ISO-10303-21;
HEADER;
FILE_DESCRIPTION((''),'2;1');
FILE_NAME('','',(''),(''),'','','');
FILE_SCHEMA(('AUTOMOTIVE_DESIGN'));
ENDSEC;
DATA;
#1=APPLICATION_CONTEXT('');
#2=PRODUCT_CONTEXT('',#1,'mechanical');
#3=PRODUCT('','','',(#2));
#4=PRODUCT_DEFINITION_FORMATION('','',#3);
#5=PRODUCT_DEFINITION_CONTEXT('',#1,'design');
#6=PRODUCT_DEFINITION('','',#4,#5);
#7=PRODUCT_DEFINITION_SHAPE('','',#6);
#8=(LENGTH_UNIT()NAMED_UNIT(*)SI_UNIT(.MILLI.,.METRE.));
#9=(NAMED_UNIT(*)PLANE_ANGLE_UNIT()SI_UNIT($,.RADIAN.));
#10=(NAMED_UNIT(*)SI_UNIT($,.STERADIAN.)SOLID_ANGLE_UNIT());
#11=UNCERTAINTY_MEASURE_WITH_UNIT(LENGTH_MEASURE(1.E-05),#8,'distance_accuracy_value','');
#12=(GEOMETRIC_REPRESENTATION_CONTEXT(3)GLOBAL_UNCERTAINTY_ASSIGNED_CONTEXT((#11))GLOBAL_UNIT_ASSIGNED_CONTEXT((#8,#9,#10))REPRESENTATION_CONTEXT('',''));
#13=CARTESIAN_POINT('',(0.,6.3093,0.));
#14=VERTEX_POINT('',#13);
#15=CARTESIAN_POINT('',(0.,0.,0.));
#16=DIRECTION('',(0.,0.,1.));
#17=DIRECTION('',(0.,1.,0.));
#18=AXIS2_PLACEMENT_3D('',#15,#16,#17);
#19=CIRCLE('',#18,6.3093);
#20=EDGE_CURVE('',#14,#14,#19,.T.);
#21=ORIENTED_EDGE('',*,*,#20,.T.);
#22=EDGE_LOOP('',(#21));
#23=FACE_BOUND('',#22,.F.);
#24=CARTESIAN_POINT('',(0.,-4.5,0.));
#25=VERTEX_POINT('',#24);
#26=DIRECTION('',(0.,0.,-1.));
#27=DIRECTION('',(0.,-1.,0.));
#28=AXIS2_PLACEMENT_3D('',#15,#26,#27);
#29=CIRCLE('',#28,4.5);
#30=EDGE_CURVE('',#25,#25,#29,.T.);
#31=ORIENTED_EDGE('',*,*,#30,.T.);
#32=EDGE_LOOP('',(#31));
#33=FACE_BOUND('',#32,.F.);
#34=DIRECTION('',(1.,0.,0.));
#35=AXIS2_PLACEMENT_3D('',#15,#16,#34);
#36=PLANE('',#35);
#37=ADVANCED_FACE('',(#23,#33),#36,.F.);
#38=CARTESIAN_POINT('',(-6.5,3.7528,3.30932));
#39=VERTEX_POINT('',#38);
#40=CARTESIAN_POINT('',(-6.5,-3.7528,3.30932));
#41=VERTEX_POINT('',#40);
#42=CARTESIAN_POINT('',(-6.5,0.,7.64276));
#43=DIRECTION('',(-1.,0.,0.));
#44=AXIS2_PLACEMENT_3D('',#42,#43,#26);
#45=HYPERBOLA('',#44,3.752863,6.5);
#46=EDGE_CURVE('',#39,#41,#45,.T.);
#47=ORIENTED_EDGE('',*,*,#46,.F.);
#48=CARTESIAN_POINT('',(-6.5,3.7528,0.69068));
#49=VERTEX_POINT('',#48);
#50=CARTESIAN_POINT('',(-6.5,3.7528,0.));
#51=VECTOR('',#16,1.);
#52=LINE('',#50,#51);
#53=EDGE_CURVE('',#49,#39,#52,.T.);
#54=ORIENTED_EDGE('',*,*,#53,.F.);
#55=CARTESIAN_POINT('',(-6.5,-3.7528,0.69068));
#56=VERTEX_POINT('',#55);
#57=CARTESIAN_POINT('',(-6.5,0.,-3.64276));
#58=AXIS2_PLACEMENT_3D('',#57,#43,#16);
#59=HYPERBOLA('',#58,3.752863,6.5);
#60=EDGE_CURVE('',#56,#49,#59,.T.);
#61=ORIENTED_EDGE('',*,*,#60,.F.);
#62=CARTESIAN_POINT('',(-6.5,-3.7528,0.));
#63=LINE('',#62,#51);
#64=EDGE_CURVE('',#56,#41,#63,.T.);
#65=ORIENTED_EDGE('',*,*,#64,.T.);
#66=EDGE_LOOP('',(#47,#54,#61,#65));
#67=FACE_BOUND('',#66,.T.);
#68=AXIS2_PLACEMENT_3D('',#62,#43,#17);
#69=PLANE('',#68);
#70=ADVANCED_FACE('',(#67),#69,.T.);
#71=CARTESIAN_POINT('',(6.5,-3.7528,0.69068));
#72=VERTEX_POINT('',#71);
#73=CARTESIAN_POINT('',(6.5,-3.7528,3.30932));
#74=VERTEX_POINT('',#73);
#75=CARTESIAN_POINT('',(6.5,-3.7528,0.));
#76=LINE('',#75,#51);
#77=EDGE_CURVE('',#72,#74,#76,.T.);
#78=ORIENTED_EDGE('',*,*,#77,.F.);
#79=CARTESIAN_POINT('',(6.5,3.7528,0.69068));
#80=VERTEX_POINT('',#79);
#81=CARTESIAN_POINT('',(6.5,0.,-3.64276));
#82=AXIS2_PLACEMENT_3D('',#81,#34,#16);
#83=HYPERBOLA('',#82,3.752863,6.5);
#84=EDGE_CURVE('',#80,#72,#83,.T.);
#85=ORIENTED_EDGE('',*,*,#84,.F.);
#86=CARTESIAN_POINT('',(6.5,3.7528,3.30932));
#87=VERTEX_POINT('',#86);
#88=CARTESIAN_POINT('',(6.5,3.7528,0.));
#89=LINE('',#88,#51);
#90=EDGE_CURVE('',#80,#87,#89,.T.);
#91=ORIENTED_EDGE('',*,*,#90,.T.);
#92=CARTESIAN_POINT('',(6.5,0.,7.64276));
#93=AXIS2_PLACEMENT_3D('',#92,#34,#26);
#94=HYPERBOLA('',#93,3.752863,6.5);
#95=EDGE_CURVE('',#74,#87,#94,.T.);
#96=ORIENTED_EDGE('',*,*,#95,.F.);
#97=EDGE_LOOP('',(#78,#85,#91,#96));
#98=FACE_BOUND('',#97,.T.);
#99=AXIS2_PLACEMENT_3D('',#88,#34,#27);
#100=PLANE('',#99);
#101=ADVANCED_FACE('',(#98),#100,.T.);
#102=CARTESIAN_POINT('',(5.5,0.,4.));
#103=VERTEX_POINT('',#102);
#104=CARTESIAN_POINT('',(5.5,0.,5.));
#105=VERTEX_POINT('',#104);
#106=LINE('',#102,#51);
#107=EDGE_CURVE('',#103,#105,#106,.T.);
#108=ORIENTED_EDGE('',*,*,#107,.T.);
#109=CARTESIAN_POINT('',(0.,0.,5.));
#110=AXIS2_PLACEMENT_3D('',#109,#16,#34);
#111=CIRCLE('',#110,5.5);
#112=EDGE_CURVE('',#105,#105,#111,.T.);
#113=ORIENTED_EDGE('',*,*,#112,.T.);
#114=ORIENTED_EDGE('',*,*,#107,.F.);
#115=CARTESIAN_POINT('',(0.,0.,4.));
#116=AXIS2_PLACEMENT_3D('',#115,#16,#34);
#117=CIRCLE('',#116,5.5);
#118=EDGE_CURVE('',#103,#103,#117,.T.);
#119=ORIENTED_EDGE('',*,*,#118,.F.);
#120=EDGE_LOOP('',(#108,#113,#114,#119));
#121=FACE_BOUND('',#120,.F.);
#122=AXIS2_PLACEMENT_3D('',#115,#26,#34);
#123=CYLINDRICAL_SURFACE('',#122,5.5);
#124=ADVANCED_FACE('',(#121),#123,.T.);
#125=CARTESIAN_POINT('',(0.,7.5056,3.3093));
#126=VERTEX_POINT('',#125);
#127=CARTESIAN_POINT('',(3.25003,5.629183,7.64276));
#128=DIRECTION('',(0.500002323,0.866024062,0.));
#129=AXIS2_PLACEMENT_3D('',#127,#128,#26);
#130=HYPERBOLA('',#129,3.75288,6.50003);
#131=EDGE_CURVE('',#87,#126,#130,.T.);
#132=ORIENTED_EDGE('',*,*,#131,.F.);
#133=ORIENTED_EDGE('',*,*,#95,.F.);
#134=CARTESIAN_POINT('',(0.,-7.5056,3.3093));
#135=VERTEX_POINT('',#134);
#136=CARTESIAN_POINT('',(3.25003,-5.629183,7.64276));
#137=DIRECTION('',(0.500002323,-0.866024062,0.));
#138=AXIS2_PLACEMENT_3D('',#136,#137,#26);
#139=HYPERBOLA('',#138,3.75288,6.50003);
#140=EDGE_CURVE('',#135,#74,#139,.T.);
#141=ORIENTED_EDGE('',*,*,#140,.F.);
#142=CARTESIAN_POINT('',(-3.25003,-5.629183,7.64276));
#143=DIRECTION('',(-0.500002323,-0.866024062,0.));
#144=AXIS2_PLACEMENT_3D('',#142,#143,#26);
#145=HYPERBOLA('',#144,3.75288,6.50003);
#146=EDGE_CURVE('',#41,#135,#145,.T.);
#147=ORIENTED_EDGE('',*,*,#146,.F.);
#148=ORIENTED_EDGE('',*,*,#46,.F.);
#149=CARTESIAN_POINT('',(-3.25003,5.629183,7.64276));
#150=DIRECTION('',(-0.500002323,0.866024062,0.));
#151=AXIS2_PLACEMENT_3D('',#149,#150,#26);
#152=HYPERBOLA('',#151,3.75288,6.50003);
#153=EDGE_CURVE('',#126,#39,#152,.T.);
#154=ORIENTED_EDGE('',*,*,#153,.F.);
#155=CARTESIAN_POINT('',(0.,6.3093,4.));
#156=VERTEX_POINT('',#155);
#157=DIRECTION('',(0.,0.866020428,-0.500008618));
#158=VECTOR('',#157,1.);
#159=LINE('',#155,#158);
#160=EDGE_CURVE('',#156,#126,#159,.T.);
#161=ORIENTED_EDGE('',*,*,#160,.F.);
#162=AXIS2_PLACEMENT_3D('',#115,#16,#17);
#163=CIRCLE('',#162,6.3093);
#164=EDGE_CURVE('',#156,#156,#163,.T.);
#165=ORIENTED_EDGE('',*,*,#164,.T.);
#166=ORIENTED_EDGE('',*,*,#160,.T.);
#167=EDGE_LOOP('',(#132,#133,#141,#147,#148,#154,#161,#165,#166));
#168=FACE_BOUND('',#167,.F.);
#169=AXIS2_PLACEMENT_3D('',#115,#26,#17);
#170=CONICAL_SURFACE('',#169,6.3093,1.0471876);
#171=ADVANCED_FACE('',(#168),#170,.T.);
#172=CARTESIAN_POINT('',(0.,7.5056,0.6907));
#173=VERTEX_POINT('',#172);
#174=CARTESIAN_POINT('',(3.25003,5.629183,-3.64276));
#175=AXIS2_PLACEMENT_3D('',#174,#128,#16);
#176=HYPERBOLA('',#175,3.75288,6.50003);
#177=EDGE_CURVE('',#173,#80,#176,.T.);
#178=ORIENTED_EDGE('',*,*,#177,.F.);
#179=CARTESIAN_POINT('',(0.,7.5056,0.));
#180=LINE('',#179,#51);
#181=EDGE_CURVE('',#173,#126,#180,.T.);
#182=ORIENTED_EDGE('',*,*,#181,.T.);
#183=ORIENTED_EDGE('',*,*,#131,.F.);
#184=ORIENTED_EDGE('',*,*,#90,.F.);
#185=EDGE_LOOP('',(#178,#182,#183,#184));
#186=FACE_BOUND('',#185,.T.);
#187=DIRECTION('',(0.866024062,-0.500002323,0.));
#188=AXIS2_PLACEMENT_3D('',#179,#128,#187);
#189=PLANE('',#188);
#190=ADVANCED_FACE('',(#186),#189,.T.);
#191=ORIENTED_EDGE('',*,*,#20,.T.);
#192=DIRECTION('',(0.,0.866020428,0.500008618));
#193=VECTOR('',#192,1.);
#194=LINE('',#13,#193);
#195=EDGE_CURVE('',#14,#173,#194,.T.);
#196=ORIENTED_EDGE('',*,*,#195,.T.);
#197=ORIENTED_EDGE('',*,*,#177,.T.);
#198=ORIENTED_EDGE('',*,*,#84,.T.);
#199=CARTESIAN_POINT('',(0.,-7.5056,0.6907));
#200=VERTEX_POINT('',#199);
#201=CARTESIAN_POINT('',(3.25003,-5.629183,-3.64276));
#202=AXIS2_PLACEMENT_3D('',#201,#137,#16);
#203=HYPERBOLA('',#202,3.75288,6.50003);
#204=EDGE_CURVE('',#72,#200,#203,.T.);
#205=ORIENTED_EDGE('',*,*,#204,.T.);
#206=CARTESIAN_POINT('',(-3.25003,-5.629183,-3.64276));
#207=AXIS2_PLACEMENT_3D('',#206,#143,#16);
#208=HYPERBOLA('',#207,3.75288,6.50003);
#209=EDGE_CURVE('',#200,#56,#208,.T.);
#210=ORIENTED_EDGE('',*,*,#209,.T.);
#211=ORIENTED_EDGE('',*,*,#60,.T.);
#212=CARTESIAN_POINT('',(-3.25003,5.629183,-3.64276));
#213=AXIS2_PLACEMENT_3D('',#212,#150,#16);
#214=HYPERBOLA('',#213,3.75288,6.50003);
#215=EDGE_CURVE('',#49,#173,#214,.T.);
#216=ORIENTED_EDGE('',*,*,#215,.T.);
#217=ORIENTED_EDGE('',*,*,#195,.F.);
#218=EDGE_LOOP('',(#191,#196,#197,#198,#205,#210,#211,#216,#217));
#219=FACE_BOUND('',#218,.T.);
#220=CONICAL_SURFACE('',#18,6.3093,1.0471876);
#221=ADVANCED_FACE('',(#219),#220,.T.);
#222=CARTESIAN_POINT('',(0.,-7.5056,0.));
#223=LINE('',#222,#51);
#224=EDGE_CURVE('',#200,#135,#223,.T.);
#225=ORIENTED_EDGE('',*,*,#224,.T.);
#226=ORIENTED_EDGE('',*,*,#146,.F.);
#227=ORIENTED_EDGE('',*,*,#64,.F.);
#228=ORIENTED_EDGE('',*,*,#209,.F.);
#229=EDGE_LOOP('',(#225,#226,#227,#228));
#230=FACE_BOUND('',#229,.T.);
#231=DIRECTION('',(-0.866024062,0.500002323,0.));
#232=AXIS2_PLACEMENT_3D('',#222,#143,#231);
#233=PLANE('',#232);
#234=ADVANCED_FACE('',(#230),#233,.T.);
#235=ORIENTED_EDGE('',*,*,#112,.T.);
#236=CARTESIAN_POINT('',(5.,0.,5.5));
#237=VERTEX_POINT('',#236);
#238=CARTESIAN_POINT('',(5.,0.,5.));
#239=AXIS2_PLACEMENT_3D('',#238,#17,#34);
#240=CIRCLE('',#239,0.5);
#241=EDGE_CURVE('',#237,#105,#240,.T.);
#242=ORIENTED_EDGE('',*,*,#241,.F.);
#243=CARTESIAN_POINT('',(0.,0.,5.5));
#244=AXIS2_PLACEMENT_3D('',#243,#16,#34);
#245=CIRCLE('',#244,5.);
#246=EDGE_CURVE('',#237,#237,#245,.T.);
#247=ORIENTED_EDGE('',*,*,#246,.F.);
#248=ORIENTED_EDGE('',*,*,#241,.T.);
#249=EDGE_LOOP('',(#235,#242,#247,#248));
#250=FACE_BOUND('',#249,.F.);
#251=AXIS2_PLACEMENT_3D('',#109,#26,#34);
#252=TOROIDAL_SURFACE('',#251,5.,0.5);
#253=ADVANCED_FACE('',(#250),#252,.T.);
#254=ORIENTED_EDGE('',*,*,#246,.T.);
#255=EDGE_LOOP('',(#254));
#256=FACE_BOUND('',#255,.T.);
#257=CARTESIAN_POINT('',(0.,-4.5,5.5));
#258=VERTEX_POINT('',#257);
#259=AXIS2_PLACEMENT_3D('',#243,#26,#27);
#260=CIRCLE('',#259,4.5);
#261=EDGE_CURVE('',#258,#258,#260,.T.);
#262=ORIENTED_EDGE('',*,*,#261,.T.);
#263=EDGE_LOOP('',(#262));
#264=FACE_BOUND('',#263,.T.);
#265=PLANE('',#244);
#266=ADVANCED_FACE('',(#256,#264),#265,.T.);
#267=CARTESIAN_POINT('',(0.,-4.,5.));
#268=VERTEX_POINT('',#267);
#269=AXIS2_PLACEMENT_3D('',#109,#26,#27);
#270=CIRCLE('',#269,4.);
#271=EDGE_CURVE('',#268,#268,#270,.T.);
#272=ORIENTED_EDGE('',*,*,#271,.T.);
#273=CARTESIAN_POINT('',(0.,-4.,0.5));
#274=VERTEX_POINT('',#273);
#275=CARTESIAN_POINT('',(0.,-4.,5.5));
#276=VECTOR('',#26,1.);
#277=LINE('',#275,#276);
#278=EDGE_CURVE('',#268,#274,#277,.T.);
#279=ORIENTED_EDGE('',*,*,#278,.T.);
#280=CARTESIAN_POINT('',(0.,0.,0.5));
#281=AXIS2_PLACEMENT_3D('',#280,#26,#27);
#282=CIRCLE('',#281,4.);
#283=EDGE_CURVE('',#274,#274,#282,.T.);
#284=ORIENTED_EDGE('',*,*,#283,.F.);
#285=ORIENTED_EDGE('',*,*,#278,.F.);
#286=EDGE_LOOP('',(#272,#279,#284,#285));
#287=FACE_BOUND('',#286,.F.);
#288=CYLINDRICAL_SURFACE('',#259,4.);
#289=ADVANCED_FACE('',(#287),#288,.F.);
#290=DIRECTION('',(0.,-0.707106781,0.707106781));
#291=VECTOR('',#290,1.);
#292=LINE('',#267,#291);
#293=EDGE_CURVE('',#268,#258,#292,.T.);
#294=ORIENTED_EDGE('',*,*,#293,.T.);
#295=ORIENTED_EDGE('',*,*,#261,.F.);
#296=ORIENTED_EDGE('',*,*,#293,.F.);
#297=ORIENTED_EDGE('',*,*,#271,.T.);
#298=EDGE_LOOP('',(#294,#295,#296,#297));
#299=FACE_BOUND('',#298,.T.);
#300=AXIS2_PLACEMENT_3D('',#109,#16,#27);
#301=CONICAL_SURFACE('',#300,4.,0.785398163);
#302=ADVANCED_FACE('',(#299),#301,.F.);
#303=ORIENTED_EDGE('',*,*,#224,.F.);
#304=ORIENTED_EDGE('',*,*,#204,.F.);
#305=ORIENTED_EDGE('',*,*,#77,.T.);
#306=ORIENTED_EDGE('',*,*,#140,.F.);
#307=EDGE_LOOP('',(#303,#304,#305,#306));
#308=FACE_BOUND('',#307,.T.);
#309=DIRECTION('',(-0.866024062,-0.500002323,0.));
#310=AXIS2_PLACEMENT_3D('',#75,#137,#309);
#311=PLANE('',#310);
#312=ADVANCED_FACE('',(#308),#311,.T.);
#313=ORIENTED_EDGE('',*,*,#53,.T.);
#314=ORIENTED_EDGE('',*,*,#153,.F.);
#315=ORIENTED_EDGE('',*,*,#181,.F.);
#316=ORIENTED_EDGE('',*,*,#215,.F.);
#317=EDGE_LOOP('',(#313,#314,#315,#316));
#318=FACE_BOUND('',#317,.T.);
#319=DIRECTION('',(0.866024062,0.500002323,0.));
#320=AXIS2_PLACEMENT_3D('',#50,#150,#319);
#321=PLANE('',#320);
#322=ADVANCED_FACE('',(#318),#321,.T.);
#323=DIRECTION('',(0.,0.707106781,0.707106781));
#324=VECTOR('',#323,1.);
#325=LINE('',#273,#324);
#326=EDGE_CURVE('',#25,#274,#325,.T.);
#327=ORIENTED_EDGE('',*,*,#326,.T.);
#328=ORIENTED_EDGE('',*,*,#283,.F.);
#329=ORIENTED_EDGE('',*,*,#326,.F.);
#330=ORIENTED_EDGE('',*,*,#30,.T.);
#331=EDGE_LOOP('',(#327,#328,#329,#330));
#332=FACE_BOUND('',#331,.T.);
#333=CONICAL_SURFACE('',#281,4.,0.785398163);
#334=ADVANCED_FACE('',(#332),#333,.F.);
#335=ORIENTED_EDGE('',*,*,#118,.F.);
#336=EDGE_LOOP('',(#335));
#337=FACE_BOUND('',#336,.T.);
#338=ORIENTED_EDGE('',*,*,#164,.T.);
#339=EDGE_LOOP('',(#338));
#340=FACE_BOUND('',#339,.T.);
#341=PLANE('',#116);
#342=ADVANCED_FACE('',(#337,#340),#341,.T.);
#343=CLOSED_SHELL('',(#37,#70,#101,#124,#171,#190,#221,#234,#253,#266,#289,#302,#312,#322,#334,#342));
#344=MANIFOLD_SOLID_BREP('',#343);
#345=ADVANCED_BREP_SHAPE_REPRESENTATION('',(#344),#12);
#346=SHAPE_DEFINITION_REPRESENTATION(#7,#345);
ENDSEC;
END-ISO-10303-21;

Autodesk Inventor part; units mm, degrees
ref_plane "YZ Plane" through (0, 0, 0) normal (1, 0, 0) x (0, 1, 0)
ref_plane "XZ Plane" through (0, 0, 0) normal (0, 1, 0) x (-1, 0, 0)
sketch "Schizzo1" plane through (0, 0, 0) normal (0, 0, 1) x (1, 0, 0)
  line L0 (0, 7.5056) -> (6.5, 3.7528)
  line L1 (6.5, 3.7528) -> (6.5, -3.7528)
  line L2 (6.5, -3.7528) -> (0, -7.5056)
  line L3 (0, -7.5056) -> (-6.5, -3.7528)
  line L4 (-6.5, -3.7528) -> (-6.5, 3.7528)
  line L5 (-6.5, 3.7528) -> (0, 7.5056)
  point P0 (0, 0)
  point P1 (0, 0)
  dimension "d0" = 13
extrude "Estrusione1" add sketch "Schizzo1" along normal blind 4
sketch "Schizzo2" plane through (0, 0, 4) normal (0, 0, 1) x (1, 0, 0)
  circle A0 centre (0, 0) radius 5.5
  dimension "d5" = 11
extrude "Estrusione2" add sketch "Schizzo2" along normal blind 1.5
sketch "Schizzo3" plane through (0, 0, 0) normal (1, 0, 0) x (0, 1, 0)
  line L0 (7.5056, 4) -> (3.7528, 4) projected
  line L1 (3.7528, 0) -> (3.7528, 4) projected
  line L2 (7.5056, 0) -> (3.7528, 0) projected
  line L3 (7.5056, 0) -> (7.5056, 4) projected
  line L4 (6.3093, 0) -> (7.5056, 0.6907)
  line L5 (0, -1) -> (0, 6) projected
  line L6 (6.3093, 4) -> (7.5056, 4)
  line L7 (6.3093, 4) -> (7.5056, 3.3093)
  point P0 (0, 0)
  dimension "d6" = 30
  dimension "d23" = 30
ref_plane "Piano di lavoro1" through (0, 0, 2) normal (0, 0, -1) x (-1, 0, 0)
sketch "Schizzo4" plane through (0, 0, 5.5) normal (0, 0, 1) x (1, 0, 0)
  circle A0 centre (0, 0) radius 5.5 projected
hole "Foro1" at (0, 0, 5.5) direction (0, 0, -1) diameter 8 end through all
thread "Filettatura1" size "M9x1.25" class "6H" standard "ANSI Metric M Profile" full length
chamfer "Smusso1" distance 0.5 angle 45 2 edges at (0, 4, 5.5) (0, 4, 0)
revolve "Rivoluzione2" cut sketch "Schizzo3" angle 360 about axis through (0, 0, -10) along (0, 0, 1) contours L3 L7 L0 | L3 L2 L4
fillet "Raccordo1" radius 0.5 1 edges at (-5.5, 0, 5.5)
properties part number "Dado 13"
